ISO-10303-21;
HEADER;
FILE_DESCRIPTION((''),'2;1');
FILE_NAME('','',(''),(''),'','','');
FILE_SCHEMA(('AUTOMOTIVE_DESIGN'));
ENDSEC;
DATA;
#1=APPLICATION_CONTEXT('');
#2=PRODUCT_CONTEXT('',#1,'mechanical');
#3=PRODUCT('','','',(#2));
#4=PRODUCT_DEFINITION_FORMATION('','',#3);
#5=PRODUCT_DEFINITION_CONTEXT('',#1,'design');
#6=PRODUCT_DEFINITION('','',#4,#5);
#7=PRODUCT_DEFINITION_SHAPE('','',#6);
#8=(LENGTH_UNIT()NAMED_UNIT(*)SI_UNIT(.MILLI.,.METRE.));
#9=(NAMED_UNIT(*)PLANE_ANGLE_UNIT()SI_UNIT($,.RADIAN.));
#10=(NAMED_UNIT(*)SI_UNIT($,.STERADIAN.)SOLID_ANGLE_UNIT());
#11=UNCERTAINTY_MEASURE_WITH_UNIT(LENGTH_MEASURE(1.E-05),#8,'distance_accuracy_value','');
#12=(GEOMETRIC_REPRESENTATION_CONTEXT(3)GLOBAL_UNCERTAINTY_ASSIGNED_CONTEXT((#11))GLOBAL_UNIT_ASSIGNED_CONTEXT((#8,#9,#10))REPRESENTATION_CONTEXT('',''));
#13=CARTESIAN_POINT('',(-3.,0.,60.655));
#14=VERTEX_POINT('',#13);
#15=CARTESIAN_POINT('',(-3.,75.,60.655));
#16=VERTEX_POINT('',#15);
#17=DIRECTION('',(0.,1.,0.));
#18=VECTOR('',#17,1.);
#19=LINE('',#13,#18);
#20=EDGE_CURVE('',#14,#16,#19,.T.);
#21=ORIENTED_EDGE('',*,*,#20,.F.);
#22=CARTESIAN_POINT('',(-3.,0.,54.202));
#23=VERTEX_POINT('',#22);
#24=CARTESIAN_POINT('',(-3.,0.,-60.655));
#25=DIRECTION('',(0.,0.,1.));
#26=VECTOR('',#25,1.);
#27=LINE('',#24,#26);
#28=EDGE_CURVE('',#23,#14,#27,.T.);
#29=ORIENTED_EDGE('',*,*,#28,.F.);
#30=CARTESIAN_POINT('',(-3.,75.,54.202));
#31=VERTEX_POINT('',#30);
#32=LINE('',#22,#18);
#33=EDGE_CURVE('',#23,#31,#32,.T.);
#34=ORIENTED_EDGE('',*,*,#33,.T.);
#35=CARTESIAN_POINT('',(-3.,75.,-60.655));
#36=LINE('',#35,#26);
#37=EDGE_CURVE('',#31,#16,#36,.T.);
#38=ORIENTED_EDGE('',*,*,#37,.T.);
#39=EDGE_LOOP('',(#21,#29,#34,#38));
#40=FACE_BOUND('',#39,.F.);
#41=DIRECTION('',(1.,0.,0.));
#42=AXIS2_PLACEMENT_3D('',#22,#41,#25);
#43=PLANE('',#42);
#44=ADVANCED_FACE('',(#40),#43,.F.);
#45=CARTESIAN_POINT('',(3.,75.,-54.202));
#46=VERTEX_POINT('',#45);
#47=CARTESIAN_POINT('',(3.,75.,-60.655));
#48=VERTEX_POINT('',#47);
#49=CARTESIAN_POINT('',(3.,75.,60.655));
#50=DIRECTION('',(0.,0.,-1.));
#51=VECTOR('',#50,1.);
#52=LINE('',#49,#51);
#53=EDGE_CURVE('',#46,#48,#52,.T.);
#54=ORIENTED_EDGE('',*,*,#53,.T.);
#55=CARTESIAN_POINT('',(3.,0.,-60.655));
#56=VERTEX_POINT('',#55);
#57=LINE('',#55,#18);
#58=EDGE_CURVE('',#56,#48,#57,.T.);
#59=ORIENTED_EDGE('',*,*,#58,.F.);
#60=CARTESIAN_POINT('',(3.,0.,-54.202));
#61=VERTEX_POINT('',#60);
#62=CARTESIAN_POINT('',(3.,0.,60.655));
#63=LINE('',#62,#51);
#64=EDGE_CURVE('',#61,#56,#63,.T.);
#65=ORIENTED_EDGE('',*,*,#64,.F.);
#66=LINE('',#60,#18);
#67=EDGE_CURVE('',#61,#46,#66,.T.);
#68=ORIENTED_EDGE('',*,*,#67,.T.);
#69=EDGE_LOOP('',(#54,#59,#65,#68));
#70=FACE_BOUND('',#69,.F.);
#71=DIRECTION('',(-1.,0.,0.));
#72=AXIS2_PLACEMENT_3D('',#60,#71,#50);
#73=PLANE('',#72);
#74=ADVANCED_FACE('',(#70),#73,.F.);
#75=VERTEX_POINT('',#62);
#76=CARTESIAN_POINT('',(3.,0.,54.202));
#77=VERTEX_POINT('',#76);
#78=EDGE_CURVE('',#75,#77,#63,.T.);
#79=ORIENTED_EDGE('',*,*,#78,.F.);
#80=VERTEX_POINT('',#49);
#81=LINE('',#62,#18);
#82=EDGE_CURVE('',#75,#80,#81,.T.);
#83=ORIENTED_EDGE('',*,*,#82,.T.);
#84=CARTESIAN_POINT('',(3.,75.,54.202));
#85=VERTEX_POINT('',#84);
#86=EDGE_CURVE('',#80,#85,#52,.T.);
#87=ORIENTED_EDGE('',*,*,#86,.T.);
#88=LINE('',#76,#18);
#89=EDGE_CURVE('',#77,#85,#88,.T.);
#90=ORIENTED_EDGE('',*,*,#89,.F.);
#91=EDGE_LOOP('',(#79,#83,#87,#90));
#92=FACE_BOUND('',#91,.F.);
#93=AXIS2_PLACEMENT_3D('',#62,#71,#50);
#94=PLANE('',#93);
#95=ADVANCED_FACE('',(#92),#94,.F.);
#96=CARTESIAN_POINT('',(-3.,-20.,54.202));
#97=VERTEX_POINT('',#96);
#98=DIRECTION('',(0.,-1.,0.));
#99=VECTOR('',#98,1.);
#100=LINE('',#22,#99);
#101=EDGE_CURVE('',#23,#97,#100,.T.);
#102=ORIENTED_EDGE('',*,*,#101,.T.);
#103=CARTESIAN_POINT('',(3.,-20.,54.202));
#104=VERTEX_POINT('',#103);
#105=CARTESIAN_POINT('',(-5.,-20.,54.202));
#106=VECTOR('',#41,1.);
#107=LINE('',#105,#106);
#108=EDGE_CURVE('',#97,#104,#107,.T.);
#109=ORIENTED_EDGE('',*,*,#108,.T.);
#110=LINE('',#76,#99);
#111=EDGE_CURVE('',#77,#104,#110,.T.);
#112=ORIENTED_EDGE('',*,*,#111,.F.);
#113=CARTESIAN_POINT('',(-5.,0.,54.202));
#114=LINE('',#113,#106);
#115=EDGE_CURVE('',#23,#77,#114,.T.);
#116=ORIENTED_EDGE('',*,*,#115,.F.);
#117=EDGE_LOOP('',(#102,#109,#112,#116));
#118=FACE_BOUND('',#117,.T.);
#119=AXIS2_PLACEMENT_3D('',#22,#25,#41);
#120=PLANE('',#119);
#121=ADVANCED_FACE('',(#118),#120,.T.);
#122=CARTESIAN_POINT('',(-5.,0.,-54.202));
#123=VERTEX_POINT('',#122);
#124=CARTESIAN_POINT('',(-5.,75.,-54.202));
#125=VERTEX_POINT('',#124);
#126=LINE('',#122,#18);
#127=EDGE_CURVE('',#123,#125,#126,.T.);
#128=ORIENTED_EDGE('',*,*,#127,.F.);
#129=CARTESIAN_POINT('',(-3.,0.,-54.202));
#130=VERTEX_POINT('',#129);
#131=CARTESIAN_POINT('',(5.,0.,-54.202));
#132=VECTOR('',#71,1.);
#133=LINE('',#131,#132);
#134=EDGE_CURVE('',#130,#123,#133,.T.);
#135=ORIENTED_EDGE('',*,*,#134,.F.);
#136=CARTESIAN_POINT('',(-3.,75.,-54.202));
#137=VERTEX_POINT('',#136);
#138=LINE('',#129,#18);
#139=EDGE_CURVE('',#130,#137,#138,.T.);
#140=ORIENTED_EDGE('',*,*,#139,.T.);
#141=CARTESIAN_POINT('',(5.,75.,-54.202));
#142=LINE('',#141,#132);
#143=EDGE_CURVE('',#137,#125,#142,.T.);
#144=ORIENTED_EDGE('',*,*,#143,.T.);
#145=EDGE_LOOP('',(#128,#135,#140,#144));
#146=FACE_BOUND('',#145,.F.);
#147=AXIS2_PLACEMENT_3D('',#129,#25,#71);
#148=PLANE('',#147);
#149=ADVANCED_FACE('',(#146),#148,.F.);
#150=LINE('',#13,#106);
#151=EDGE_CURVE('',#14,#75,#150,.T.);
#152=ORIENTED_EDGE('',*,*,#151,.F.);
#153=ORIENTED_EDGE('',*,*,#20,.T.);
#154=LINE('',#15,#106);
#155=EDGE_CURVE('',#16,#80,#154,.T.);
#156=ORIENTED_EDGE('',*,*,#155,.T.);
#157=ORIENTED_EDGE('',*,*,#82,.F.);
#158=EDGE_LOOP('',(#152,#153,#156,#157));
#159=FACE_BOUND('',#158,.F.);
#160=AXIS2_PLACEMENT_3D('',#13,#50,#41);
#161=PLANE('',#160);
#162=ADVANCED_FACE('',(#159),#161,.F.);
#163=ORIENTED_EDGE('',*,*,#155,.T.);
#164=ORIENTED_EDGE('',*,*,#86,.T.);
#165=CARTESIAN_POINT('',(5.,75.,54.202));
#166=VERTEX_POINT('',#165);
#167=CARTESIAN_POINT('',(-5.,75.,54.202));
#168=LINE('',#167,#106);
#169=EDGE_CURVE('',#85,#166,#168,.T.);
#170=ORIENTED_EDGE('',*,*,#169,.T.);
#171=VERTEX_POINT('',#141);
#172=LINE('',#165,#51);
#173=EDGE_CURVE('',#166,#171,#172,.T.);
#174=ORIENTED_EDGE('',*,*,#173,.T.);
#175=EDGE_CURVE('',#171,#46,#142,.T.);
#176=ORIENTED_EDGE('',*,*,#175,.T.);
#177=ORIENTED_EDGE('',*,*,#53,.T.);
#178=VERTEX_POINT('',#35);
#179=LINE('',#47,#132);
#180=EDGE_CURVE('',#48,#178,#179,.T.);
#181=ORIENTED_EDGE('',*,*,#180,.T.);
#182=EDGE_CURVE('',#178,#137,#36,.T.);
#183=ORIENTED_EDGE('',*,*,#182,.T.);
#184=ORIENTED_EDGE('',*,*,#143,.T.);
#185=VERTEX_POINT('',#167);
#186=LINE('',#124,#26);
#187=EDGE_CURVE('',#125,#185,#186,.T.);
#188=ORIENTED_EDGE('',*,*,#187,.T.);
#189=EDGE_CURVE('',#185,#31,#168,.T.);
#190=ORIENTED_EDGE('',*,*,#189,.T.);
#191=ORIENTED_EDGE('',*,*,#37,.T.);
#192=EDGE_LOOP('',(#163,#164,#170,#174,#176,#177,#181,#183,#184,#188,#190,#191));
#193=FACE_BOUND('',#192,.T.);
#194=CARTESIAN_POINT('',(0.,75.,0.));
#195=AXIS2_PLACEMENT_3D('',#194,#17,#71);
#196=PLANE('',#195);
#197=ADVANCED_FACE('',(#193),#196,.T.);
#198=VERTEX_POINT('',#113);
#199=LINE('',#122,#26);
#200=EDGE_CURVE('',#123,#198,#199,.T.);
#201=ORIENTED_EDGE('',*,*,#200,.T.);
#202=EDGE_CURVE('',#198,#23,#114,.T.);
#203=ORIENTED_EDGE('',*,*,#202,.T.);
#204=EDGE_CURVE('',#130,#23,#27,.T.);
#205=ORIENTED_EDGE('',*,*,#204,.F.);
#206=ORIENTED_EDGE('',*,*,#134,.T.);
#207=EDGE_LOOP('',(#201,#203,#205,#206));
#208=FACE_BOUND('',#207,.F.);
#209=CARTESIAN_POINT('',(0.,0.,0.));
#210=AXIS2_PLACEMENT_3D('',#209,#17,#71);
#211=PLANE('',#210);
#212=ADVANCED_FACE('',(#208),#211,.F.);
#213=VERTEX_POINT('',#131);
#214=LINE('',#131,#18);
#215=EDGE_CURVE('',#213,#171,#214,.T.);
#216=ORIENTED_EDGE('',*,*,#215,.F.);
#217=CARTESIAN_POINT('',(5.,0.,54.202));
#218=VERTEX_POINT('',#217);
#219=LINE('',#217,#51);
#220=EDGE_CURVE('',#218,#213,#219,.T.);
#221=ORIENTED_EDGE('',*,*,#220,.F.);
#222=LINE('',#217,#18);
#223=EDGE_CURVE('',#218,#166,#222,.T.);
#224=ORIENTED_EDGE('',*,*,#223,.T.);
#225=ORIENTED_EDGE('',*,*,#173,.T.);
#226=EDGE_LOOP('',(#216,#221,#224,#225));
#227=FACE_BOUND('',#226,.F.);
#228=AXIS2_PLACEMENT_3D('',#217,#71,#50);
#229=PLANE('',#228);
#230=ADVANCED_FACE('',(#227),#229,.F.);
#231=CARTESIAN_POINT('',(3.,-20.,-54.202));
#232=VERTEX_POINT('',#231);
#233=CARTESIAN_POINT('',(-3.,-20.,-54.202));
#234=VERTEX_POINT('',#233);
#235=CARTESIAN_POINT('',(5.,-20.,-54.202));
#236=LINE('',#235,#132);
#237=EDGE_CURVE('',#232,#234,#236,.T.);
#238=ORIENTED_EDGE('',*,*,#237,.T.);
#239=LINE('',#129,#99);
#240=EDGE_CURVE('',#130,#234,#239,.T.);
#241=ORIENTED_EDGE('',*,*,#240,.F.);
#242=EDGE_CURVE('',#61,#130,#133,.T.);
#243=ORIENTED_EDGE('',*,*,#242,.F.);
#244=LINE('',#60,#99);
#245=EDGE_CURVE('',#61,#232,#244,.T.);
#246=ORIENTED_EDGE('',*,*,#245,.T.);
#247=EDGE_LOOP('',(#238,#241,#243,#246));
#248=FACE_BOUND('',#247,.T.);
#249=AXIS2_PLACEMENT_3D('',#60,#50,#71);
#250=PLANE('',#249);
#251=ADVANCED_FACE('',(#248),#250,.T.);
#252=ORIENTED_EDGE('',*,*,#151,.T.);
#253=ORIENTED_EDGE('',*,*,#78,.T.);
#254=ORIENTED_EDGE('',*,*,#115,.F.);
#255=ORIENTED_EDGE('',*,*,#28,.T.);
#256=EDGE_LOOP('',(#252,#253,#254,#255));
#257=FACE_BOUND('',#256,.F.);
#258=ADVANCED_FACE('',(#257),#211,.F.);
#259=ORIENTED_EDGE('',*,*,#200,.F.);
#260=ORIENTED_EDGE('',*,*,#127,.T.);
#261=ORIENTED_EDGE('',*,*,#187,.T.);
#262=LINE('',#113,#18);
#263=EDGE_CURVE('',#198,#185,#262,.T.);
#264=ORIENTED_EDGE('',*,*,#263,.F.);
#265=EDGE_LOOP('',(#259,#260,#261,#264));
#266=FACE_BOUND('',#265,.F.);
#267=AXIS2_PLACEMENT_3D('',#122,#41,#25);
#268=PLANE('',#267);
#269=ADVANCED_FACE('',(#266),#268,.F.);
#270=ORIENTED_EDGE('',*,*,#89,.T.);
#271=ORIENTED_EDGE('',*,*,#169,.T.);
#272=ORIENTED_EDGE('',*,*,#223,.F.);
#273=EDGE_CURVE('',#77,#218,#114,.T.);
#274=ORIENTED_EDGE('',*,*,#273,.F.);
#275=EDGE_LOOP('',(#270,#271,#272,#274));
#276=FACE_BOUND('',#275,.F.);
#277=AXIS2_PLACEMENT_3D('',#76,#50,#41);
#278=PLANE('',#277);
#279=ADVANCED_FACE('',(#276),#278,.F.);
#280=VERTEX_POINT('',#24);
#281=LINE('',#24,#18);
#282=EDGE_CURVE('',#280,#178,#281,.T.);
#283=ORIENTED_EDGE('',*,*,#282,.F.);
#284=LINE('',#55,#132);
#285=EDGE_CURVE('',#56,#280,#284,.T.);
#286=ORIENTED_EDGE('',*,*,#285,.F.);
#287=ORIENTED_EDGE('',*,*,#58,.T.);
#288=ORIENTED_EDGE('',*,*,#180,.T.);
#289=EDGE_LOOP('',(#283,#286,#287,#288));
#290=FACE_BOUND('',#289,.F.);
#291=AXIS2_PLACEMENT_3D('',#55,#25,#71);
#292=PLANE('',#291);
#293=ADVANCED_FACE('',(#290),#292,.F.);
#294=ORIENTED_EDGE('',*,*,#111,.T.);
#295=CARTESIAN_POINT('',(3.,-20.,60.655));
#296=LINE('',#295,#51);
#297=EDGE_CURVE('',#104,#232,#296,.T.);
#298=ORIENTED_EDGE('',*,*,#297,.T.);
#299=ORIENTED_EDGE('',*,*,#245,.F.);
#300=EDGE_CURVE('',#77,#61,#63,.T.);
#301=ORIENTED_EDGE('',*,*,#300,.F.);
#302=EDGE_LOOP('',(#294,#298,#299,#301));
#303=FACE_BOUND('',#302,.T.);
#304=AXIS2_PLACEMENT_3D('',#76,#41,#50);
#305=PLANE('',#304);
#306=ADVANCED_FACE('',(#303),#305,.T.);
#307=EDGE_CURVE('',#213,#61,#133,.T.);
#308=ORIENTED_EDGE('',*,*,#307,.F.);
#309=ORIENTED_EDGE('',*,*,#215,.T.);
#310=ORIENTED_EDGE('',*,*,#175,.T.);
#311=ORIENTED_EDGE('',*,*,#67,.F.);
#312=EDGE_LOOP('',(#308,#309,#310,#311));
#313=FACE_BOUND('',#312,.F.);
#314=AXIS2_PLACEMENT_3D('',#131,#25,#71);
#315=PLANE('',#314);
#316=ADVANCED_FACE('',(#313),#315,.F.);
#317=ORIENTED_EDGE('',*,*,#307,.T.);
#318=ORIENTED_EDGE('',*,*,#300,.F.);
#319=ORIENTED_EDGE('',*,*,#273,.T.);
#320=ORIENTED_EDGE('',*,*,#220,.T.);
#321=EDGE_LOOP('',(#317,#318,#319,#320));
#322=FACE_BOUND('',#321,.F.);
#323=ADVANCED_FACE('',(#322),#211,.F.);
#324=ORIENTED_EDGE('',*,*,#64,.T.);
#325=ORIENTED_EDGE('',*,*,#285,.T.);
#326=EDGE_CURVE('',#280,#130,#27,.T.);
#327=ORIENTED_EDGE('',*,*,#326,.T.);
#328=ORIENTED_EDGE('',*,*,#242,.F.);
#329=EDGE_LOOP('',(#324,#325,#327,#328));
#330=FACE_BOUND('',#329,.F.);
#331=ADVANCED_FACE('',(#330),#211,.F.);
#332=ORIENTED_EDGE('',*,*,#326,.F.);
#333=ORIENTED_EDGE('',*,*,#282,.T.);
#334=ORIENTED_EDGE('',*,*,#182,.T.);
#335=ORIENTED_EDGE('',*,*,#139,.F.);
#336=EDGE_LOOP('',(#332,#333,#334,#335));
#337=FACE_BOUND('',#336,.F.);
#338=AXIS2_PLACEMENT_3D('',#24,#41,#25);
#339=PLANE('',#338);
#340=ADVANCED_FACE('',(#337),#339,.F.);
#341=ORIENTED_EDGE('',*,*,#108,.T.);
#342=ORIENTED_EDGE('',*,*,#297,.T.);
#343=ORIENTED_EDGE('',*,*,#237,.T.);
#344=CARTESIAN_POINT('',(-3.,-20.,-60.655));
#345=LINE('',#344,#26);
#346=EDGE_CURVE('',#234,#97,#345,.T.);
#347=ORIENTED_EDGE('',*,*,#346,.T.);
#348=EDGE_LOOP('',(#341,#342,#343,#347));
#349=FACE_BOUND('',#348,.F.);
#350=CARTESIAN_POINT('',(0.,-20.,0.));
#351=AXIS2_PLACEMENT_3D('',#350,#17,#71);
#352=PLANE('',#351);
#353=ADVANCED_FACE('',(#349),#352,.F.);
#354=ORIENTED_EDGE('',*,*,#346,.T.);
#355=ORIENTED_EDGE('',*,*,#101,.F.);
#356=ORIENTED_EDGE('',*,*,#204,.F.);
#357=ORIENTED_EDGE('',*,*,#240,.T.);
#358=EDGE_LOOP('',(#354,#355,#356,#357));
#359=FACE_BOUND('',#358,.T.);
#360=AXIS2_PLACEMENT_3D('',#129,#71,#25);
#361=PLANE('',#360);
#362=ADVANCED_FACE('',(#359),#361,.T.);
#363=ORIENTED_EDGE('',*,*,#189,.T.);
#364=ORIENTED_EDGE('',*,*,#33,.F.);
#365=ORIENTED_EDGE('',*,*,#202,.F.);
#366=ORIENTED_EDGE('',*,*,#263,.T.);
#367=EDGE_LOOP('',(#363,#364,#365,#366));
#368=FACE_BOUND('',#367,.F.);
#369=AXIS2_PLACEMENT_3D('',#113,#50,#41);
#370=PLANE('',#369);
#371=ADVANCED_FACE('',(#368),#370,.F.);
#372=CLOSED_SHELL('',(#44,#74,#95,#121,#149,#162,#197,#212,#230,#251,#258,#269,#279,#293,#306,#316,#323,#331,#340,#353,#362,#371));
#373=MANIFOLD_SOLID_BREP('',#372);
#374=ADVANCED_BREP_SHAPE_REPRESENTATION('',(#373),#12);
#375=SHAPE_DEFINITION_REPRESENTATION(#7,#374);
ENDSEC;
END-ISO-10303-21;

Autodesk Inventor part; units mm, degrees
ref_plane "YZ Plane" through (0, 0, 0) normal (1, 0, 0) x (0, 1, 0)
ref_plane "XZ Plane" through (0, 0, 0) normal (0, 1, 0) x (-1, 0, 0)
ref_plane "XY Plane" through (0, 0, 0) normal (0, 0, 1) x (1, 0, 0)
sketch "Sketch1" plane through (0, 0, 0) normal (0, 1, 0) x (-1, 0, 0)
  point P0 (0, 0)
sketch "Sketch2" plane through (0, 0, 0) normal (0, 1, 0) x (-1, 0, 0)
  line L0 (5, 54.202) -> (-5, 54.202)
  line L1 (-5, 54.202) -> (-5, -54.202)
  line L2 (-5, -54.202) -> (5, -54.202)
  line L3 (5, -54.202) -> (5, 54.202)
  line L4 (5, 54.202) -> (-5, -54.202) construction
  line L5 (-5, 54.202) -> (5, -54.202) construction
  line L6 (3, 60.655) -> (-3, 60.655)
  line L7 (-3, 60.655) -> (-3, -60.655)
  line L8 (-3, -60.655) -> (3, -60.655)
  line L9 (3, -60.655) -> (3, 60.655)
  line L10 (3, 60.655) -> (-3, -60.655) construction
  line L11 (-3, 60.655) -> (3, -60.655) construction
  point P0 (0, 0)
  point P1 (3, 54.202)
  point P2 (-3, 54.202)
  point P3 (-3, -54.202)
  point P4 (3, -54.202)
  dimension "d0" = 10
  dimension "d1" = 108.404
  dimension "d2" = 6
  dimension "d3" = 121.31
extrude "Extrusion1" add sketch "Sketch2" along normal blind 75
extrude "Extrusion2" add sketch "Sketch2" against normal blind 20 contours L9 L2 L7 L0
properties part number "sciana_bezdziury" material "ABS Plastic"
